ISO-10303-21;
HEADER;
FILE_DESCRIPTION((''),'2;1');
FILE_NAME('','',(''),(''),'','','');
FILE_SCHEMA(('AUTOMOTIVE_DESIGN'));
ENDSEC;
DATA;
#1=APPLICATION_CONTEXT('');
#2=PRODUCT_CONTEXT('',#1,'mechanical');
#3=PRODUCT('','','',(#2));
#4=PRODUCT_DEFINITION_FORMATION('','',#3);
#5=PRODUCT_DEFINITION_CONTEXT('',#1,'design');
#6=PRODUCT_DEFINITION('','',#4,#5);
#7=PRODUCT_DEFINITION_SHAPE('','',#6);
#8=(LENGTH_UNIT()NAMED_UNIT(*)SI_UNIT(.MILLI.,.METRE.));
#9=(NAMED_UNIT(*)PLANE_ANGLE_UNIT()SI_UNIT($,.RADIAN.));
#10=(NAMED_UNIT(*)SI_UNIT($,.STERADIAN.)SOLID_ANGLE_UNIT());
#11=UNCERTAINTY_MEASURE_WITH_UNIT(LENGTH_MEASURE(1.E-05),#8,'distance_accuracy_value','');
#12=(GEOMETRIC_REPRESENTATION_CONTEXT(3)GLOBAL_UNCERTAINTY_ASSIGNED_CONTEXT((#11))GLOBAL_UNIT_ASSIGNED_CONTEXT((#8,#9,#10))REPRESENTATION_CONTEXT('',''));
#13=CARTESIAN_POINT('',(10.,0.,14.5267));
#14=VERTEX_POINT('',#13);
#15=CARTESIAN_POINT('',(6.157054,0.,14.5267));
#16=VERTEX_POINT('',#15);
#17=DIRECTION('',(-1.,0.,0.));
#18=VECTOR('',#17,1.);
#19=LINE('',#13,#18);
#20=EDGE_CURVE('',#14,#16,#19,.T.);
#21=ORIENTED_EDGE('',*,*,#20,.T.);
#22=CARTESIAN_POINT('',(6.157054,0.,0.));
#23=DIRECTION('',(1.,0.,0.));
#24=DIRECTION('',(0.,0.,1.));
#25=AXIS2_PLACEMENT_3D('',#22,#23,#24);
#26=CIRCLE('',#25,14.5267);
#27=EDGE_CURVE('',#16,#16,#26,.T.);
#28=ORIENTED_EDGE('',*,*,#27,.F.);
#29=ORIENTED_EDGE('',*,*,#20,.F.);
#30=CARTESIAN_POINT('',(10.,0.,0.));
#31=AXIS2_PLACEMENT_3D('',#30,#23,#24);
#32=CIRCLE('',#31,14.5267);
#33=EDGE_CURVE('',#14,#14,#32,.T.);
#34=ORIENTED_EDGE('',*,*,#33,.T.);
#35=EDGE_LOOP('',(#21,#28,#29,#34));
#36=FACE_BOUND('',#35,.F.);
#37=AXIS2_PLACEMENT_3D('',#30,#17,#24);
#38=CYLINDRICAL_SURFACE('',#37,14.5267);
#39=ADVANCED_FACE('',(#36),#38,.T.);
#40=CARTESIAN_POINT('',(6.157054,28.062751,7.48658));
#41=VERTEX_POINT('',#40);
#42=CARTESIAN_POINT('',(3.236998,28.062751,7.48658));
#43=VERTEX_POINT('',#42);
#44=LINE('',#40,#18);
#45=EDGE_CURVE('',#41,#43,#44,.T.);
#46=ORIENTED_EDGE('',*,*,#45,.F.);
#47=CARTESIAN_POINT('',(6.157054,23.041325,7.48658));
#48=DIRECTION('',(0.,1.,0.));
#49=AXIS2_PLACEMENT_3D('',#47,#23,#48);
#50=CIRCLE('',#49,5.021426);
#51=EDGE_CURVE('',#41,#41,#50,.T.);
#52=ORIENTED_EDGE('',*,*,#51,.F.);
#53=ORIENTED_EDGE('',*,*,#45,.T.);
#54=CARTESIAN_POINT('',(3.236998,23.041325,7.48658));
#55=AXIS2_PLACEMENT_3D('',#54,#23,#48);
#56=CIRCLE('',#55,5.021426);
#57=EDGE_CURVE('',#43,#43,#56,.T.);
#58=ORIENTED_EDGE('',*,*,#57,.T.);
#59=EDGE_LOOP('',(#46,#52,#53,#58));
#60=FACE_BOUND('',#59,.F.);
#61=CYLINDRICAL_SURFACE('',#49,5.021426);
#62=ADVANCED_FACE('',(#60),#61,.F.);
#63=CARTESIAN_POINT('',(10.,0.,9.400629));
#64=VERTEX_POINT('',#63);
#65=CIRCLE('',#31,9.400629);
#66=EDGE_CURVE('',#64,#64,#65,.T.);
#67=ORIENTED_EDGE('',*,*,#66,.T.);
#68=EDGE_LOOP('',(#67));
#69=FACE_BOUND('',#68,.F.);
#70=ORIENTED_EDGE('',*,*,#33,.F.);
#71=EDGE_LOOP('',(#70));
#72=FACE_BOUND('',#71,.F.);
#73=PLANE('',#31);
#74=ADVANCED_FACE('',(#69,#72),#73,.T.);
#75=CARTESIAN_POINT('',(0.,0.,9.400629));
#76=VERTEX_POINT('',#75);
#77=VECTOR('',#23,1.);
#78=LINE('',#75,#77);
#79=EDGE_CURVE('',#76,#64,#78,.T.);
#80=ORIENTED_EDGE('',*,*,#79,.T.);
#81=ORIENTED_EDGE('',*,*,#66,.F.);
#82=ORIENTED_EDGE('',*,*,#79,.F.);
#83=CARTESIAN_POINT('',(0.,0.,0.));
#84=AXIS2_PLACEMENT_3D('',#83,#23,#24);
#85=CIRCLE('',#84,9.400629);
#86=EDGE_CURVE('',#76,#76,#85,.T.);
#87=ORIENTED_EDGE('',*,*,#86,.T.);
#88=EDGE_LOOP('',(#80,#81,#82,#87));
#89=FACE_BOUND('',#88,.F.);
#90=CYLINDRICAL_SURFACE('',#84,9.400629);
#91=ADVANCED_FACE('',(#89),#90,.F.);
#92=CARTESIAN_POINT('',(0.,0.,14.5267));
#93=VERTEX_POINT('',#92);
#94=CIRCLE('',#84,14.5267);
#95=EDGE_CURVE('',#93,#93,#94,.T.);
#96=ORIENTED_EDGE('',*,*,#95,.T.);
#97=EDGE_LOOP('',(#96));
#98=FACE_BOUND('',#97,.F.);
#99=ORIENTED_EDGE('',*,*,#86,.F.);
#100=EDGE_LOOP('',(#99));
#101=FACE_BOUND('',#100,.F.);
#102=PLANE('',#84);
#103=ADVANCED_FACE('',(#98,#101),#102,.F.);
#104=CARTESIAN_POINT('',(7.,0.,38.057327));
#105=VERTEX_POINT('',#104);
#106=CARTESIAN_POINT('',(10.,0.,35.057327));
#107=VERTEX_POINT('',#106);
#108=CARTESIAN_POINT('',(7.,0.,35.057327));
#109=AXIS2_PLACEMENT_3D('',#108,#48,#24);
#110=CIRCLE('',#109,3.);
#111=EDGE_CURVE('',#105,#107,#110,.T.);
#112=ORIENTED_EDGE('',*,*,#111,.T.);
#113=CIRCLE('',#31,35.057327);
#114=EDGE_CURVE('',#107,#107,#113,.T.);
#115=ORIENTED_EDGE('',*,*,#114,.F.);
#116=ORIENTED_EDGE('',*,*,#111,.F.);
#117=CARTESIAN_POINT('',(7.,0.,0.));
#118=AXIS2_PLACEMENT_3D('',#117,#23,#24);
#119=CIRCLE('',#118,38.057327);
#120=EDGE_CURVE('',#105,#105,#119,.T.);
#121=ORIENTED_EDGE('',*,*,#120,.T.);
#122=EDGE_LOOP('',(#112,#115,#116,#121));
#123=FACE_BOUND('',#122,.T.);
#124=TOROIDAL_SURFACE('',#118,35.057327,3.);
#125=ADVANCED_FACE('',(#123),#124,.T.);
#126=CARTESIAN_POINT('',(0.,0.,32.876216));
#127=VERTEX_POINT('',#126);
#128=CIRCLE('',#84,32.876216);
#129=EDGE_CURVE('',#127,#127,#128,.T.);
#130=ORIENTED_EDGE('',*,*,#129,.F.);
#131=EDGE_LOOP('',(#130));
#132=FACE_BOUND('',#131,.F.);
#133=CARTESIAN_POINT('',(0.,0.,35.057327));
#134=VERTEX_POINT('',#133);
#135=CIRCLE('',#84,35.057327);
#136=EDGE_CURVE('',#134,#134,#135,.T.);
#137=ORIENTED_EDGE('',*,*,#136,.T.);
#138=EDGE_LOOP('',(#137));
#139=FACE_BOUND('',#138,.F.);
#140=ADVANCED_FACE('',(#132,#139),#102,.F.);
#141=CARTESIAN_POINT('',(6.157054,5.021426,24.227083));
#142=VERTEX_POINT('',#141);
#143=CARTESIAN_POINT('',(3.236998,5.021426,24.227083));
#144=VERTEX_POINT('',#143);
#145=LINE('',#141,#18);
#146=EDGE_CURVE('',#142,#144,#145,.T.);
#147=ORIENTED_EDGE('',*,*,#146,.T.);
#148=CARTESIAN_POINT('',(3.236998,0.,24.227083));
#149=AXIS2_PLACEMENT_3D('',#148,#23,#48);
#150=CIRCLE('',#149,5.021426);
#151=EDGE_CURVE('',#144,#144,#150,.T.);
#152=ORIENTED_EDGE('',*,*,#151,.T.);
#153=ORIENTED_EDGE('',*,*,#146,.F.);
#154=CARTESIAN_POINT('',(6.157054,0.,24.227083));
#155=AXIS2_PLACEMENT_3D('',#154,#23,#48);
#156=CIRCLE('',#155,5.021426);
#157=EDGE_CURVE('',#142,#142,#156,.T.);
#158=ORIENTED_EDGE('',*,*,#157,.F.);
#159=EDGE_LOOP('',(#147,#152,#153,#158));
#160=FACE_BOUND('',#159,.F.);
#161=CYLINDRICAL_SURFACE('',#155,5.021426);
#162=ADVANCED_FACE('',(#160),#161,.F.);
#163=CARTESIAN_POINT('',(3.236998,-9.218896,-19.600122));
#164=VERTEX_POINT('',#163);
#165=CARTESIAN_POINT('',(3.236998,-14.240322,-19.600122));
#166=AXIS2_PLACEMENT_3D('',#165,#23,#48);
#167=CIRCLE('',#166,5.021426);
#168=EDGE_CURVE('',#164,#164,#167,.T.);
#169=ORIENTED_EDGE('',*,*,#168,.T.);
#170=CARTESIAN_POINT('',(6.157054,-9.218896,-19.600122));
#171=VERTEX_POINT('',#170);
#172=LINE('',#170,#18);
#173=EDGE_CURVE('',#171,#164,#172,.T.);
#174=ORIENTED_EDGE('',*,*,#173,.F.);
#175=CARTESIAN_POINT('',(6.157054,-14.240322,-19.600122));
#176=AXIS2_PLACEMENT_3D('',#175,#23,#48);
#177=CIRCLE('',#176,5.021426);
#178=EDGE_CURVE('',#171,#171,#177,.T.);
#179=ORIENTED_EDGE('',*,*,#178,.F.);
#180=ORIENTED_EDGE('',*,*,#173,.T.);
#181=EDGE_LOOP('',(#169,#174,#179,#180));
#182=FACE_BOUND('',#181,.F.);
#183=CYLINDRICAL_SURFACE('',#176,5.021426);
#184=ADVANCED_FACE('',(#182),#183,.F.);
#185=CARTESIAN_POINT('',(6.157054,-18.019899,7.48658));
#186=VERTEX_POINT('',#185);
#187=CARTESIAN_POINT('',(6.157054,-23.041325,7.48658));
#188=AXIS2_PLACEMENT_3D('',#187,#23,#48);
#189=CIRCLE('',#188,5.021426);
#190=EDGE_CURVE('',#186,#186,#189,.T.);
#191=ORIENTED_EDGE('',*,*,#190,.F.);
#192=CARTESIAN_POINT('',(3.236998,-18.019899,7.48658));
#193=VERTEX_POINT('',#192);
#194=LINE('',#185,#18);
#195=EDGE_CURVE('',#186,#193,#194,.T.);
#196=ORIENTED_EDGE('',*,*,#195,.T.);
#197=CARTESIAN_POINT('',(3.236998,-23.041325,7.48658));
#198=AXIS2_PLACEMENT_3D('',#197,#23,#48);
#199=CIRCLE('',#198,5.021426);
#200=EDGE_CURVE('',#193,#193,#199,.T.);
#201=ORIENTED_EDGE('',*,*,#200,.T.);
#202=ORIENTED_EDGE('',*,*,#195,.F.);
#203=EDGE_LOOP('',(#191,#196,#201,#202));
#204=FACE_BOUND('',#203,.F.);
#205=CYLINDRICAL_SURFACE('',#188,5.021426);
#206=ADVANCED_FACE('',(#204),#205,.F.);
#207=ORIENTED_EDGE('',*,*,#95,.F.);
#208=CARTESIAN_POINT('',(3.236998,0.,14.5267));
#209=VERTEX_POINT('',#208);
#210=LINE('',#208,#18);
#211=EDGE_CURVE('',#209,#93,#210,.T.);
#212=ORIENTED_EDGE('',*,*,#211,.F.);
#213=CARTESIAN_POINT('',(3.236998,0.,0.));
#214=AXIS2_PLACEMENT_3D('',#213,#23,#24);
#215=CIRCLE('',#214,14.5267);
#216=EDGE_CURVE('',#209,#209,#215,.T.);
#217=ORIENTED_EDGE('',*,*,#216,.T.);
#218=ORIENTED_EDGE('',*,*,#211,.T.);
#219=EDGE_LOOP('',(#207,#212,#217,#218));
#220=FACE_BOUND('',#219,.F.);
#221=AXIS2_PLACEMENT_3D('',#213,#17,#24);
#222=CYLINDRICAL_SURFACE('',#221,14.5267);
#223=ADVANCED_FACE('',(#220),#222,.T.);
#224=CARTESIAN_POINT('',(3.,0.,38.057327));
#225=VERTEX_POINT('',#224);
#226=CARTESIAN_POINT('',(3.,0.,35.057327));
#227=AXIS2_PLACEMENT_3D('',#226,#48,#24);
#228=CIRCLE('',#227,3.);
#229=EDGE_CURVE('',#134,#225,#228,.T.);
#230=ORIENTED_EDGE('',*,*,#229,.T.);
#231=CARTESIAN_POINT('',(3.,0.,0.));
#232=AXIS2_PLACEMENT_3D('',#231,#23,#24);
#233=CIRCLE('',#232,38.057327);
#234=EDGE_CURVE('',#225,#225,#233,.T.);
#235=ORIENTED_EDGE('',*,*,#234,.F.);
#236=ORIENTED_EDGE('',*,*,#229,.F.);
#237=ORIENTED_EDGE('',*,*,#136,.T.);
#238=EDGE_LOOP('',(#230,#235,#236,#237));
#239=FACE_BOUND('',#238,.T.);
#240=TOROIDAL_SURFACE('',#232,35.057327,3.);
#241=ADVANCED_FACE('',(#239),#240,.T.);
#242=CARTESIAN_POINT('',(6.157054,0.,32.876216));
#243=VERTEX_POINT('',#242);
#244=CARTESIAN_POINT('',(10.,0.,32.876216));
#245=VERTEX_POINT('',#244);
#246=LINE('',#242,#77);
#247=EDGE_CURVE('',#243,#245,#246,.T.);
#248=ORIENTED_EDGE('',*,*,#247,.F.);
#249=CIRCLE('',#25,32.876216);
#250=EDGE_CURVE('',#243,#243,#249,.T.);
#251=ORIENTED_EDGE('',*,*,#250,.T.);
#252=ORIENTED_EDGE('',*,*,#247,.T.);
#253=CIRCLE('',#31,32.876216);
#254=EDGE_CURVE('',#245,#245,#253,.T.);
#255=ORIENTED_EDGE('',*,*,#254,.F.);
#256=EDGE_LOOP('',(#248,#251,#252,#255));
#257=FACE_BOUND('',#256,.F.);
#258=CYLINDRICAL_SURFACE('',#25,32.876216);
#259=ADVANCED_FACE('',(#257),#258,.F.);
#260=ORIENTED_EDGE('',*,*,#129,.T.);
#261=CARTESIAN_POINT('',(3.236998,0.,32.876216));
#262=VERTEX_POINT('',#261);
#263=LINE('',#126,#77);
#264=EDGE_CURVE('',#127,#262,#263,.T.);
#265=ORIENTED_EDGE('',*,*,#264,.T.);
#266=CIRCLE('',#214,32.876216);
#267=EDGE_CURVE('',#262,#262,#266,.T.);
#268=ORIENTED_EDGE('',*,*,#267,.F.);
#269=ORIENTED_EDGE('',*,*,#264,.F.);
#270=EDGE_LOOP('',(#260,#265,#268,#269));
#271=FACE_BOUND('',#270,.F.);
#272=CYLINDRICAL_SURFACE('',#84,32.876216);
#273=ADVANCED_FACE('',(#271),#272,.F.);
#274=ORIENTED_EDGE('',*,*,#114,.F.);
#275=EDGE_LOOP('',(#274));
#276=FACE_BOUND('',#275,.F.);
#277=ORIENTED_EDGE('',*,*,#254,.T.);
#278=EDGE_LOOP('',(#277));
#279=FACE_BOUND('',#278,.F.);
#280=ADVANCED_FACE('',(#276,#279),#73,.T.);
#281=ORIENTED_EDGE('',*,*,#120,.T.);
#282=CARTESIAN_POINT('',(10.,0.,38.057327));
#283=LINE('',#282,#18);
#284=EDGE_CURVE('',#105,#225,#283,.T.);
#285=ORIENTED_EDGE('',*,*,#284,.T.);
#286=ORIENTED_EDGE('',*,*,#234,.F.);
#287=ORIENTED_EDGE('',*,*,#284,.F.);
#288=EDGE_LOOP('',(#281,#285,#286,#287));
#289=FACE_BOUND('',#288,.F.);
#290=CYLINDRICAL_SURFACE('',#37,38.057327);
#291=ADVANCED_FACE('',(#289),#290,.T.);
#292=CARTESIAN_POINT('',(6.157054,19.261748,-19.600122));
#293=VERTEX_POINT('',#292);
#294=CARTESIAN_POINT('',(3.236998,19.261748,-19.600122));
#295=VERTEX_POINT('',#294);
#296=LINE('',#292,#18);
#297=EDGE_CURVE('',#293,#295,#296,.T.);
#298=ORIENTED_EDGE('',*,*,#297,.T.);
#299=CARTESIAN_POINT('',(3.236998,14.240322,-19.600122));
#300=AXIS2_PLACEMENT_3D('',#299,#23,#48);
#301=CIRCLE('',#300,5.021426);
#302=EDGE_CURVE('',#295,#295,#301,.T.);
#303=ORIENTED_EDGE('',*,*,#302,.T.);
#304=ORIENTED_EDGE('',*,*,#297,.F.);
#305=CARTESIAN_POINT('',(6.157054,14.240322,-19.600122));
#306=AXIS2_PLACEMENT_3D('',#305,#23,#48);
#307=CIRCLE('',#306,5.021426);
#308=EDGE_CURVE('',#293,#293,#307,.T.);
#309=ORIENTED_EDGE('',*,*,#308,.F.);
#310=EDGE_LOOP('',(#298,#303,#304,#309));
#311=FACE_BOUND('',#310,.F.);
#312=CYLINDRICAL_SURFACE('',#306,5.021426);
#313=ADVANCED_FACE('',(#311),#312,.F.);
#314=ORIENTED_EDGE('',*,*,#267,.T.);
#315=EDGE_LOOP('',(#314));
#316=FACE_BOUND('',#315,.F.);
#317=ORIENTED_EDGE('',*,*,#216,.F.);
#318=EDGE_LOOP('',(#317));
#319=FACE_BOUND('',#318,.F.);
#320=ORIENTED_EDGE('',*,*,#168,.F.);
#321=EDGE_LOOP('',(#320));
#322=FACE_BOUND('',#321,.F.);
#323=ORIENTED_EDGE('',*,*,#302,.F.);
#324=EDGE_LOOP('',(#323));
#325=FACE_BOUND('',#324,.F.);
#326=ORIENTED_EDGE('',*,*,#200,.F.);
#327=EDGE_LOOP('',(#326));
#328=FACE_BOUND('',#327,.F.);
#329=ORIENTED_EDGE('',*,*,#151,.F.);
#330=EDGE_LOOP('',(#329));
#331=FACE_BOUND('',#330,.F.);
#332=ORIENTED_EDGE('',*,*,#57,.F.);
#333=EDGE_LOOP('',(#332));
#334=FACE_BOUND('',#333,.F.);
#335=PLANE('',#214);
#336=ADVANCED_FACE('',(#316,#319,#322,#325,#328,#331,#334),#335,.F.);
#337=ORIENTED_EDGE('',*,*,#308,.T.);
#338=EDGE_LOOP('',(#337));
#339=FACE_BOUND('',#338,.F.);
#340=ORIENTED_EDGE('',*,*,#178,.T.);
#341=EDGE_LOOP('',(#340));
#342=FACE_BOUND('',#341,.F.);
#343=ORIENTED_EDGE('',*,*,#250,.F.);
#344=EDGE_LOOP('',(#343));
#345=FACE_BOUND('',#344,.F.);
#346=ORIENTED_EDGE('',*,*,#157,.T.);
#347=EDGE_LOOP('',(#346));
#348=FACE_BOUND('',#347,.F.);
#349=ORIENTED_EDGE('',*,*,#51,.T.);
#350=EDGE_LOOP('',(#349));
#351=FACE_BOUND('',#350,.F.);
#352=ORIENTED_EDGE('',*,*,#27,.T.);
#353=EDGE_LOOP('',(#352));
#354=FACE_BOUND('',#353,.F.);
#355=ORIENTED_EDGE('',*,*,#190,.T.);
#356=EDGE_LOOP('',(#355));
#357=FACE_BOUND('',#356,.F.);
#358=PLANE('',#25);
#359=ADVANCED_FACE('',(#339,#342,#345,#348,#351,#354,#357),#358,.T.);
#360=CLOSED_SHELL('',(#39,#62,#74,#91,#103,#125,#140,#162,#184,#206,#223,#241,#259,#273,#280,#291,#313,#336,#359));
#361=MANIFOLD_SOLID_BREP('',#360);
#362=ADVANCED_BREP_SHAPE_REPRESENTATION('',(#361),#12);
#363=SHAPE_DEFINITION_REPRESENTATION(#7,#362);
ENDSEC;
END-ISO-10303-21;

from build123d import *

# Parameters (mm, degrees)
F2_R     = 5.021426
F3_DEPTH = 25
F4_R     = 3


with BuildPart() as f1:
    # F0 (on Front) → F1 (revolve)
    with BuildSketch(Plane.XZ):
        Polygon((0, 14.5267), (0, 9.400629), (10, 9.400629), (10, 14.5267), (6.157054, 14.5267), (6.157054, 32.876216), (10, 32.876216), (10, 38.057327), (0, 38.057327), (0, 32.876216), (3.236998, 32.876216), (3.236998, 14.5267), align=None)
    revolve(axis=Axis((5, 0, 0), (1, 0, 0)))

    # F2 (on face) → F3 (cut)
    with BuildSketch(Plane.YZ.offset(6.157054)):
        with Locations((-23.041325, 7.48658)):
            Circle(F2_R)
        with Locations((0, 24.227083)):
            Circle(F2_R)
        with Locations((23.041325, 7.48658)):
            Circle(F2_R)
        with Locations((14.240322, -19.600122)):
            Circle(F2_R)
        with Locations((-14.240322, -19.600122)):
            Circle(F2_R)
    extrude(amount=-F3_DEPTH, mode=Mode.SUBTRACT)

    # F4
    f4_edges = [f1.edges().sort_by_distance(p)[0] for p in [
        (0, 0, -38.057327),
        (10, 0, -38.057327),
    ]]
    fillet(f4_edges, radius=F4_R)


solid = f1.part
